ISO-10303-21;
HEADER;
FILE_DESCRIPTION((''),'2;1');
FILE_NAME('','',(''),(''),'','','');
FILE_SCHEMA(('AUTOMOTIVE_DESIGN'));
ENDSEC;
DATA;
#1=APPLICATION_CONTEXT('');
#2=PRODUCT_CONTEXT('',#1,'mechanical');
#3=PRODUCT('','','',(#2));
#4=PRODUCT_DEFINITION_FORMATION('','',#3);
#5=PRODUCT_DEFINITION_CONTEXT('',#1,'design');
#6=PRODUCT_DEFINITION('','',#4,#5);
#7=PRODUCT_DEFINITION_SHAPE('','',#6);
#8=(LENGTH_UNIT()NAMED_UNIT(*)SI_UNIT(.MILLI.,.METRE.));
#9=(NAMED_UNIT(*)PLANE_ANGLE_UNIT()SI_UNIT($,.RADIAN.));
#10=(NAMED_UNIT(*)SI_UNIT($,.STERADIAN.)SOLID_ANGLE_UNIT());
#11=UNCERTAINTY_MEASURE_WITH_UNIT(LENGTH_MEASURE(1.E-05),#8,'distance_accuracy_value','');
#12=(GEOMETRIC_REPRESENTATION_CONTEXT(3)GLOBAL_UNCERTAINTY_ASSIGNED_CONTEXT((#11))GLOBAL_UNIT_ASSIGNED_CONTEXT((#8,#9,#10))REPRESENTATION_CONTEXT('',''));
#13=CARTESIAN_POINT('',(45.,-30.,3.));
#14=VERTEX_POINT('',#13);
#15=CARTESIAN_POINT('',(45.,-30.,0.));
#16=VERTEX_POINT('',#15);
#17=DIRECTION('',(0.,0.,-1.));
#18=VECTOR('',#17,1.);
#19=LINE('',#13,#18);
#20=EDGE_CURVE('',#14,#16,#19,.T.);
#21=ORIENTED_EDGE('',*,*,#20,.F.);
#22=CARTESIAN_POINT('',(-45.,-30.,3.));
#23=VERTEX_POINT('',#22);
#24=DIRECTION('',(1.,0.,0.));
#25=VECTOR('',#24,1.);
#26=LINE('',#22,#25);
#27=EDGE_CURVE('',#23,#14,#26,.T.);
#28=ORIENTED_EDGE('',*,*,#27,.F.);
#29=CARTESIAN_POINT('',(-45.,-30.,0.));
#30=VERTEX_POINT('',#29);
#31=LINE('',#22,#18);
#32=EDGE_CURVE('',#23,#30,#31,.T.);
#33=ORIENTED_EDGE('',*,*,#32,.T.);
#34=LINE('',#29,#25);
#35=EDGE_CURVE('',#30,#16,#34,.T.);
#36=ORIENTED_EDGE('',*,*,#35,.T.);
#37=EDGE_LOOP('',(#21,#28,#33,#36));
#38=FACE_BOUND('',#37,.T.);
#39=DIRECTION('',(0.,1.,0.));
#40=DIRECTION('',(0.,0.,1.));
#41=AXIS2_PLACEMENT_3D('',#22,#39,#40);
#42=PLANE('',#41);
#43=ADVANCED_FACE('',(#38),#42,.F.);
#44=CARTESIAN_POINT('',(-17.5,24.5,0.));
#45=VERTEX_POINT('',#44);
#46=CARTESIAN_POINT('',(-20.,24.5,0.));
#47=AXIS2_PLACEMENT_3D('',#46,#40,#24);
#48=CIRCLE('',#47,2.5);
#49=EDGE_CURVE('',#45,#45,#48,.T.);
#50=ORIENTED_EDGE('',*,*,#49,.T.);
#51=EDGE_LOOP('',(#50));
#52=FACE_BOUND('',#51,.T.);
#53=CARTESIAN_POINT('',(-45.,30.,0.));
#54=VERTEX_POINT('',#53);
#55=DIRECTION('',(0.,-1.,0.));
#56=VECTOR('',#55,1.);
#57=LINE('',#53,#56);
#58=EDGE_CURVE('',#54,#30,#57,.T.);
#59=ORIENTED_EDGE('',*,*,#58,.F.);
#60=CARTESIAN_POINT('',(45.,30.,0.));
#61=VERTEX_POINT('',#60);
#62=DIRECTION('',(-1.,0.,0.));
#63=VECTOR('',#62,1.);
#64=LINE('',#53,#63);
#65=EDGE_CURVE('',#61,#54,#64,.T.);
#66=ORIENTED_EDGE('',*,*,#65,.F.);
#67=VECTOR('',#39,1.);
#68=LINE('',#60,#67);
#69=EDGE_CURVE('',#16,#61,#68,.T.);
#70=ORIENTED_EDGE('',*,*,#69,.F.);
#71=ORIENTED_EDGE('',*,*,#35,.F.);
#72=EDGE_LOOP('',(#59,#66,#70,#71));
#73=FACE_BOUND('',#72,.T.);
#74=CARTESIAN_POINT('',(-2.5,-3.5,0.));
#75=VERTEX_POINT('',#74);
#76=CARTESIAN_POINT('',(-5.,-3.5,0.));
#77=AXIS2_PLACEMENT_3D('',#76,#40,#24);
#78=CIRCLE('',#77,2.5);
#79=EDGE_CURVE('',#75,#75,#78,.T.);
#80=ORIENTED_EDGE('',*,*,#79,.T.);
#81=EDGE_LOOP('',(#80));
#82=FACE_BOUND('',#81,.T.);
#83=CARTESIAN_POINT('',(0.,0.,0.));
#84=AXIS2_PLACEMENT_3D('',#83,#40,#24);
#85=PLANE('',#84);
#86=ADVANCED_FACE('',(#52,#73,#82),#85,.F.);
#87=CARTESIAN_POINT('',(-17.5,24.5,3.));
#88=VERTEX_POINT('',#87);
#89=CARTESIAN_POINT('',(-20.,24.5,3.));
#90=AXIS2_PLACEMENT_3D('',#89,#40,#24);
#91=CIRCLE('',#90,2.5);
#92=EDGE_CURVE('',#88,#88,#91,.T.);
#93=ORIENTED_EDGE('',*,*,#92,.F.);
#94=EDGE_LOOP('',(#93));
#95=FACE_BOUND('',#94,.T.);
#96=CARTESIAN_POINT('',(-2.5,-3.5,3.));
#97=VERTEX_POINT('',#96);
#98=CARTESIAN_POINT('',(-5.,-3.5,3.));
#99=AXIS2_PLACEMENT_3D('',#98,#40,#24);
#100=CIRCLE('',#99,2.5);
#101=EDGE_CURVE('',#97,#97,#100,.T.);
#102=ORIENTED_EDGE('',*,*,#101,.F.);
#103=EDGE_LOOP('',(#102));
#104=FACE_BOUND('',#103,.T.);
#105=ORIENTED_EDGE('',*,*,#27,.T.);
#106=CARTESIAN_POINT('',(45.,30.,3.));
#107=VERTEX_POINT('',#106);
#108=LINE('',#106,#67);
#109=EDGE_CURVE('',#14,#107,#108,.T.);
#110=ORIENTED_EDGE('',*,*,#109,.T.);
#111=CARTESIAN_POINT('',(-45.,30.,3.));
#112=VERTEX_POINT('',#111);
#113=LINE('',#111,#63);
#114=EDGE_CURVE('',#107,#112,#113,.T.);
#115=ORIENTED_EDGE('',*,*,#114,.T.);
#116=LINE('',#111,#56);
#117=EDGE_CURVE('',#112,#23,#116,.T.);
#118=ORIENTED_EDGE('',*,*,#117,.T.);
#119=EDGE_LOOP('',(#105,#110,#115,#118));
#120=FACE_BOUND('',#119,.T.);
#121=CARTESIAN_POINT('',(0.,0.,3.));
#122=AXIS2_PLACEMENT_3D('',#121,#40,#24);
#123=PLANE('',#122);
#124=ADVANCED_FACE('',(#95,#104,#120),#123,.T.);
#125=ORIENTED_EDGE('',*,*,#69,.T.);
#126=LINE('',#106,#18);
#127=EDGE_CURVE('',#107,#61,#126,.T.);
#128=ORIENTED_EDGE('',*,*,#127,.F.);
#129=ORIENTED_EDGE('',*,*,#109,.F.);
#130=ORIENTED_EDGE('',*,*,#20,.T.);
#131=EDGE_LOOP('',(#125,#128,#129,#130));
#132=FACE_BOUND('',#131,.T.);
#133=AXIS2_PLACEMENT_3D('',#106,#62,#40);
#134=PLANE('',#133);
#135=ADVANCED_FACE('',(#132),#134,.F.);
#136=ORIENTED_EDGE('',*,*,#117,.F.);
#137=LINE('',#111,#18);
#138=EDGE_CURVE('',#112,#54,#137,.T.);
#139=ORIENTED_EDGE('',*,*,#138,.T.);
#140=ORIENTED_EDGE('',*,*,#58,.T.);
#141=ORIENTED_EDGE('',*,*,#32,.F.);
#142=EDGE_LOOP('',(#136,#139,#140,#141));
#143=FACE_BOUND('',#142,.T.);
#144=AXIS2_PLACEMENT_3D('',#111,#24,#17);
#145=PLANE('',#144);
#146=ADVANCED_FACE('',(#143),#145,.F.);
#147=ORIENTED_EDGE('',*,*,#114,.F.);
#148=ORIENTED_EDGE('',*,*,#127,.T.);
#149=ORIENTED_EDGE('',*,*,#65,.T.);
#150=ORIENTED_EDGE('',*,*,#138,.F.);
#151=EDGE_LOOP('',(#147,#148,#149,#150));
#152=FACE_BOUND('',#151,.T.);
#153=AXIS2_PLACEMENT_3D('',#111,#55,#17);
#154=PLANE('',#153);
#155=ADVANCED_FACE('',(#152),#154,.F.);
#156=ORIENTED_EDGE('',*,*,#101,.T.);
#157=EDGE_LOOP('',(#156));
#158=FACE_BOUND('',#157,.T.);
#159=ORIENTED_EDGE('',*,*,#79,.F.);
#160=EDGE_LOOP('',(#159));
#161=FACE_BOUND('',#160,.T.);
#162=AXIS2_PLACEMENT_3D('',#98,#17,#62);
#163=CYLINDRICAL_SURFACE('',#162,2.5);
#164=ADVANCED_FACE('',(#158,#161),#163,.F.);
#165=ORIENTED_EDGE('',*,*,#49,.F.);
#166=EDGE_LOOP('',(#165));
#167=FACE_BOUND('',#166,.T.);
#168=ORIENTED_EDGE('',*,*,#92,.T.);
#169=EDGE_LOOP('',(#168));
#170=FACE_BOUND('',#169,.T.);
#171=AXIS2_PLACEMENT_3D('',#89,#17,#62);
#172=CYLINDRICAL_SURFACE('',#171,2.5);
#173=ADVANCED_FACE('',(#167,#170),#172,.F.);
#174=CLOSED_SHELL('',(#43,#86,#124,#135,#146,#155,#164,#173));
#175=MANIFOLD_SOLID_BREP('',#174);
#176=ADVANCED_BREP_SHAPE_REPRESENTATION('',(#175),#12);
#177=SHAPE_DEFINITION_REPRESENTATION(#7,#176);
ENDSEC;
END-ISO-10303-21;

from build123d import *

# Parameters (mm, degrees)
SKETCH_1_W      = 90
SKETCH_1_H      = 60
SKETCH_1_R      = 2.5
EXTRUDE_1_DEPTH = 3


with BuildPart() as part:
    # 스케치1 → 보스-돌출1 (new body)
    with BuildSketch(Plane.XY):
        Rectangle(SKETCH_1_W, SKETCH_1_H)
        with Locations((-20, 24.5)):
            Circle(SKETCH_1_R, mode=Mode.SUBTRACT)
        with Locations((-5, -3.5)):
            Circle(SKETCH_1_R, mode=Mode.SUBTRACT)
    extrude(amount=EXTRUDE_1_DEPTH)


solid = part.part
